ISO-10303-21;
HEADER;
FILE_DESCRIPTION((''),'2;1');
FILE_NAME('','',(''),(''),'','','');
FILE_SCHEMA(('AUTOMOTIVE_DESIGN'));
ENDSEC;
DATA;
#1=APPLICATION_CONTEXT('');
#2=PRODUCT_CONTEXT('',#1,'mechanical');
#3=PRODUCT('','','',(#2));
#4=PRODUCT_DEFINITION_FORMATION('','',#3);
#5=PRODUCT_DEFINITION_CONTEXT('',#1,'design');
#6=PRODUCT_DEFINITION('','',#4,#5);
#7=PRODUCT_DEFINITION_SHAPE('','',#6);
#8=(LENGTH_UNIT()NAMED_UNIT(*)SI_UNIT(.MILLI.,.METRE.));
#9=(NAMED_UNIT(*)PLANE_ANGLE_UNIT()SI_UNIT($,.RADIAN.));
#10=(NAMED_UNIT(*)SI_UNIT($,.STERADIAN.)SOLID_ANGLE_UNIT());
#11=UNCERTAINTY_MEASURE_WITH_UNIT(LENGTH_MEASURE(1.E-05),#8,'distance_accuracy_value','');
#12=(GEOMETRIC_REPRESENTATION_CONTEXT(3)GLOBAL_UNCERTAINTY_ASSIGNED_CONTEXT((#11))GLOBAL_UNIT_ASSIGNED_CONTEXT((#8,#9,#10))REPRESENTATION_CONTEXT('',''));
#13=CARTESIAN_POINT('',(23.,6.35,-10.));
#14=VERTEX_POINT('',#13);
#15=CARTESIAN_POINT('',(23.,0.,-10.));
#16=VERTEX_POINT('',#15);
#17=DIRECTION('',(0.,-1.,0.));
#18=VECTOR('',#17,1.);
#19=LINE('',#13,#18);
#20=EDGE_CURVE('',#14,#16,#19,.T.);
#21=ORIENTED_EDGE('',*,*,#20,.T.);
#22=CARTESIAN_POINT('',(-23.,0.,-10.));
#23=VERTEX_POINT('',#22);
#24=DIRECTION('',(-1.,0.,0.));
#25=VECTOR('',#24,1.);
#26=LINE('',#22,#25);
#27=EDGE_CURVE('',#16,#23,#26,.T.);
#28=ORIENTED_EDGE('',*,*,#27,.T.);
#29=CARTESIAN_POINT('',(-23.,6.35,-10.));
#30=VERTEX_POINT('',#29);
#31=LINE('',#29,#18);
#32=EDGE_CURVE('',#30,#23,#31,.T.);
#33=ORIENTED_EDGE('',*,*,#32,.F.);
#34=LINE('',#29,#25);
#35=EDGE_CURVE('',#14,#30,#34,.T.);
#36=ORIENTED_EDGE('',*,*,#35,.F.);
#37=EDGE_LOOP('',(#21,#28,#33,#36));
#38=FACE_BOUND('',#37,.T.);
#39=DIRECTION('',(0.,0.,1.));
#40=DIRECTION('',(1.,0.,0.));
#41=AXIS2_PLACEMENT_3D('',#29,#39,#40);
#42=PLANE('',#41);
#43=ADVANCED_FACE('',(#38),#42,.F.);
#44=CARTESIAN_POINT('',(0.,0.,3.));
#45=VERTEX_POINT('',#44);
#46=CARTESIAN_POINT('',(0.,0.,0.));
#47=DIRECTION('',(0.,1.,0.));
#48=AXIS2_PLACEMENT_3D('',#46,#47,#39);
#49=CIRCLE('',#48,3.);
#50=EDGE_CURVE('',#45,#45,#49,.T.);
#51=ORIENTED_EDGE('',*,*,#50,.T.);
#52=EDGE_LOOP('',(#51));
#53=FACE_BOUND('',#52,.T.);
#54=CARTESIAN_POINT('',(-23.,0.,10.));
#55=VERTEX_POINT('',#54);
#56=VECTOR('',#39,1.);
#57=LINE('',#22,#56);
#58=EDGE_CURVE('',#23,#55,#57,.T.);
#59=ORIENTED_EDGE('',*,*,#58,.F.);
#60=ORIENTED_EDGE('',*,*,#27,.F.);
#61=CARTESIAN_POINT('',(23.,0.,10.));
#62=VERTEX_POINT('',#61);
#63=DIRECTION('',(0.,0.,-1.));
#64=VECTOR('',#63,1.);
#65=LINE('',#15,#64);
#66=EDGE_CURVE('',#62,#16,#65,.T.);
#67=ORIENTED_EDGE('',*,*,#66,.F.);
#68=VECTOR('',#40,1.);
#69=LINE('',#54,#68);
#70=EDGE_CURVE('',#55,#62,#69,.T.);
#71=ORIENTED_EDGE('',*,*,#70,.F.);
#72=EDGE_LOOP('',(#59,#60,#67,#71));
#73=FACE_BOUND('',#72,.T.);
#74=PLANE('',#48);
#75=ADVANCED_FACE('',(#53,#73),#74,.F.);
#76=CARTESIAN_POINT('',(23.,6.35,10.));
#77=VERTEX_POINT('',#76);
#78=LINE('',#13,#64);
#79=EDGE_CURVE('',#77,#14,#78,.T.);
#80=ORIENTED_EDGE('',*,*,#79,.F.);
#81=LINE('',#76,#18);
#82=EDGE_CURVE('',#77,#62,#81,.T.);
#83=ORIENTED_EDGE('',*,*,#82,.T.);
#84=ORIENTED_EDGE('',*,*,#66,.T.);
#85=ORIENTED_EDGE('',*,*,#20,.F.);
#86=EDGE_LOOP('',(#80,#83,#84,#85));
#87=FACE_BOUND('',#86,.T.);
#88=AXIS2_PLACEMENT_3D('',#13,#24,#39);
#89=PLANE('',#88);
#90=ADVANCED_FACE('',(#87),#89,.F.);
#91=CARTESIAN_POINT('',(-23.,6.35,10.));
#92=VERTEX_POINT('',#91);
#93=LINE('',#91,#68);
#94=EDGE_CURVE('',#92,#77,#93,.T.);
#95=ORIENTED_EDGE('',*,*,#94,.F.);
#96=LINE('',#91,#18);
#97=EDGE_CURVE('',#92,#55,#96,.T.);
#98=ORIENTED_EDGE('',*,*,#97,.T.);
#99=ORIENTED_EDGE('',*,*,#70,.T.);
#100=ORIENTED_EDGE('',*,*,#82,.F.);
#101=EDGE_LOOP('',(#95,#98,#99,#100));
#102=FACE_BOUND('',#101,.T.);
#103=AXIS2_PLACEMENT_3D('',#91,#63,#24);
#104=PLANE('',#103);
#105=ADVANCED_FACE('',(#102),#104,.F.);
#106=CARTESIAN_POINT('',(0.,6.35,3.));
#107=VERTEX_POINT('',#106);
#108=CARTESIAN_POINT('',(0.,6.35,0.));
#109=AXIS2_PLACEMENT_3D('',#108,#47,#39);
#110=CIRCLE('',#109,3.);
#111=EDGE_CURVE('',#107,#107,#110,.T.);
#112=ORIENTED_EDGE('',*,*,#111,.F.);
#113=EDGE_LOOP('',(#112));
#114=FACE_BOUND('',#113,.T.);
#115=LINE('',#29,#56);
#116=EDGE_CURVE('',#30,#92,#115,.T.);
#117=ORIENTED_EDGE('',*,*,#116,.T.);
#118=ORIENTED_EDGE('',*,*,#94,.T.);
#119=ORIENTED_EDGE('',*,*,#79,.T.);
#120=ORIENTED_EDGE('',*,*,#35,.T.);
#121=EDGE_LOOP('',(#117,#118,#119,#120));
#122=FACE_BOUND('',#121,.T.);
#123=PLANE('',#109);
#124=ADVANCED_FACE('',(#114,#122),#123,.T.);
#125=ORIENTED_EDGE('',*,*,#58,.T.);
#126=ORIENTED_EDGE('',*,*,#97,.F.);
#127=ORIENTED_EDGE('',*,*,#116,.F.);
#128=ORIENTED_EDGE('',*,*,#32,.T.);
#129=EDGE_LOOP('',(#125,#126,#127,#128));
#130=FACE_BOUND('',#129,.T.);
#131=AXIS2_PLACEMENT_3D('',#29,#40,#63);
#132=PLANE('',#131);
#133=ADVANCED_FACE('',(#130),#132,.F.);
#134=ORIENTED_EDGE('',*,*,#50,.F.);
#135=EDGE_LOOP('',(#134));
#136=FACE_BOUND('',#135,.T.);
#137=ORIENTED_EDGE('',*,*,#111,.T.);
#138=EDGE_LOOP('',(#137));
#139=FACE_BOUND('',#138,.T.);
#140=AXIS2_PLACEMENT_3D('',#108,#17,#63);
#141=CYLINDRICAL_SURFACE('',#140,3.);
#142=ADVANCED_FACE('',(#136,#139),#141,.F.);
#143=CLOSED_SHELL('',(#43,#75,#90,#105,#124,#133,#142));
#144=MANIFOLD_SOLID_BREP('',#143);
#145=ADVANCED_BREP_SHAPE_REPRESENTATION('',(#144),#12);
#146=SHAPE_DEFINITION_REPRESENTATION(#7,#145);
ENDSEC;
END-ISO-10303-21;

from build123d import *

# Parameters (mm, degrees)
SKETCH1_W           = 46
SKETCH1_H           = 20
SKETCH1_R           = 3
BOSS_EXTRUDE1_DEPTH = 6.35


with BuildPart() as part:
    # Sketch1 → Boss-Extrude1 (new body)
    with BuildSketch(Plane(origin=(0, 0, 0), x_dir=(1, 0, 0), z_dir=(0, 1, 0))):
        Rectangle(SKETCH1_W, SKETCH1_H)
        with Locations(Location((0, 0, 0), (0, 0, 270))):
            Circle(SKETCH1_R, mode=Mode.SUBTRACT)
    extrude(amount=BOSS_EXTRUDE1_DEPTH)


solid = part.part
